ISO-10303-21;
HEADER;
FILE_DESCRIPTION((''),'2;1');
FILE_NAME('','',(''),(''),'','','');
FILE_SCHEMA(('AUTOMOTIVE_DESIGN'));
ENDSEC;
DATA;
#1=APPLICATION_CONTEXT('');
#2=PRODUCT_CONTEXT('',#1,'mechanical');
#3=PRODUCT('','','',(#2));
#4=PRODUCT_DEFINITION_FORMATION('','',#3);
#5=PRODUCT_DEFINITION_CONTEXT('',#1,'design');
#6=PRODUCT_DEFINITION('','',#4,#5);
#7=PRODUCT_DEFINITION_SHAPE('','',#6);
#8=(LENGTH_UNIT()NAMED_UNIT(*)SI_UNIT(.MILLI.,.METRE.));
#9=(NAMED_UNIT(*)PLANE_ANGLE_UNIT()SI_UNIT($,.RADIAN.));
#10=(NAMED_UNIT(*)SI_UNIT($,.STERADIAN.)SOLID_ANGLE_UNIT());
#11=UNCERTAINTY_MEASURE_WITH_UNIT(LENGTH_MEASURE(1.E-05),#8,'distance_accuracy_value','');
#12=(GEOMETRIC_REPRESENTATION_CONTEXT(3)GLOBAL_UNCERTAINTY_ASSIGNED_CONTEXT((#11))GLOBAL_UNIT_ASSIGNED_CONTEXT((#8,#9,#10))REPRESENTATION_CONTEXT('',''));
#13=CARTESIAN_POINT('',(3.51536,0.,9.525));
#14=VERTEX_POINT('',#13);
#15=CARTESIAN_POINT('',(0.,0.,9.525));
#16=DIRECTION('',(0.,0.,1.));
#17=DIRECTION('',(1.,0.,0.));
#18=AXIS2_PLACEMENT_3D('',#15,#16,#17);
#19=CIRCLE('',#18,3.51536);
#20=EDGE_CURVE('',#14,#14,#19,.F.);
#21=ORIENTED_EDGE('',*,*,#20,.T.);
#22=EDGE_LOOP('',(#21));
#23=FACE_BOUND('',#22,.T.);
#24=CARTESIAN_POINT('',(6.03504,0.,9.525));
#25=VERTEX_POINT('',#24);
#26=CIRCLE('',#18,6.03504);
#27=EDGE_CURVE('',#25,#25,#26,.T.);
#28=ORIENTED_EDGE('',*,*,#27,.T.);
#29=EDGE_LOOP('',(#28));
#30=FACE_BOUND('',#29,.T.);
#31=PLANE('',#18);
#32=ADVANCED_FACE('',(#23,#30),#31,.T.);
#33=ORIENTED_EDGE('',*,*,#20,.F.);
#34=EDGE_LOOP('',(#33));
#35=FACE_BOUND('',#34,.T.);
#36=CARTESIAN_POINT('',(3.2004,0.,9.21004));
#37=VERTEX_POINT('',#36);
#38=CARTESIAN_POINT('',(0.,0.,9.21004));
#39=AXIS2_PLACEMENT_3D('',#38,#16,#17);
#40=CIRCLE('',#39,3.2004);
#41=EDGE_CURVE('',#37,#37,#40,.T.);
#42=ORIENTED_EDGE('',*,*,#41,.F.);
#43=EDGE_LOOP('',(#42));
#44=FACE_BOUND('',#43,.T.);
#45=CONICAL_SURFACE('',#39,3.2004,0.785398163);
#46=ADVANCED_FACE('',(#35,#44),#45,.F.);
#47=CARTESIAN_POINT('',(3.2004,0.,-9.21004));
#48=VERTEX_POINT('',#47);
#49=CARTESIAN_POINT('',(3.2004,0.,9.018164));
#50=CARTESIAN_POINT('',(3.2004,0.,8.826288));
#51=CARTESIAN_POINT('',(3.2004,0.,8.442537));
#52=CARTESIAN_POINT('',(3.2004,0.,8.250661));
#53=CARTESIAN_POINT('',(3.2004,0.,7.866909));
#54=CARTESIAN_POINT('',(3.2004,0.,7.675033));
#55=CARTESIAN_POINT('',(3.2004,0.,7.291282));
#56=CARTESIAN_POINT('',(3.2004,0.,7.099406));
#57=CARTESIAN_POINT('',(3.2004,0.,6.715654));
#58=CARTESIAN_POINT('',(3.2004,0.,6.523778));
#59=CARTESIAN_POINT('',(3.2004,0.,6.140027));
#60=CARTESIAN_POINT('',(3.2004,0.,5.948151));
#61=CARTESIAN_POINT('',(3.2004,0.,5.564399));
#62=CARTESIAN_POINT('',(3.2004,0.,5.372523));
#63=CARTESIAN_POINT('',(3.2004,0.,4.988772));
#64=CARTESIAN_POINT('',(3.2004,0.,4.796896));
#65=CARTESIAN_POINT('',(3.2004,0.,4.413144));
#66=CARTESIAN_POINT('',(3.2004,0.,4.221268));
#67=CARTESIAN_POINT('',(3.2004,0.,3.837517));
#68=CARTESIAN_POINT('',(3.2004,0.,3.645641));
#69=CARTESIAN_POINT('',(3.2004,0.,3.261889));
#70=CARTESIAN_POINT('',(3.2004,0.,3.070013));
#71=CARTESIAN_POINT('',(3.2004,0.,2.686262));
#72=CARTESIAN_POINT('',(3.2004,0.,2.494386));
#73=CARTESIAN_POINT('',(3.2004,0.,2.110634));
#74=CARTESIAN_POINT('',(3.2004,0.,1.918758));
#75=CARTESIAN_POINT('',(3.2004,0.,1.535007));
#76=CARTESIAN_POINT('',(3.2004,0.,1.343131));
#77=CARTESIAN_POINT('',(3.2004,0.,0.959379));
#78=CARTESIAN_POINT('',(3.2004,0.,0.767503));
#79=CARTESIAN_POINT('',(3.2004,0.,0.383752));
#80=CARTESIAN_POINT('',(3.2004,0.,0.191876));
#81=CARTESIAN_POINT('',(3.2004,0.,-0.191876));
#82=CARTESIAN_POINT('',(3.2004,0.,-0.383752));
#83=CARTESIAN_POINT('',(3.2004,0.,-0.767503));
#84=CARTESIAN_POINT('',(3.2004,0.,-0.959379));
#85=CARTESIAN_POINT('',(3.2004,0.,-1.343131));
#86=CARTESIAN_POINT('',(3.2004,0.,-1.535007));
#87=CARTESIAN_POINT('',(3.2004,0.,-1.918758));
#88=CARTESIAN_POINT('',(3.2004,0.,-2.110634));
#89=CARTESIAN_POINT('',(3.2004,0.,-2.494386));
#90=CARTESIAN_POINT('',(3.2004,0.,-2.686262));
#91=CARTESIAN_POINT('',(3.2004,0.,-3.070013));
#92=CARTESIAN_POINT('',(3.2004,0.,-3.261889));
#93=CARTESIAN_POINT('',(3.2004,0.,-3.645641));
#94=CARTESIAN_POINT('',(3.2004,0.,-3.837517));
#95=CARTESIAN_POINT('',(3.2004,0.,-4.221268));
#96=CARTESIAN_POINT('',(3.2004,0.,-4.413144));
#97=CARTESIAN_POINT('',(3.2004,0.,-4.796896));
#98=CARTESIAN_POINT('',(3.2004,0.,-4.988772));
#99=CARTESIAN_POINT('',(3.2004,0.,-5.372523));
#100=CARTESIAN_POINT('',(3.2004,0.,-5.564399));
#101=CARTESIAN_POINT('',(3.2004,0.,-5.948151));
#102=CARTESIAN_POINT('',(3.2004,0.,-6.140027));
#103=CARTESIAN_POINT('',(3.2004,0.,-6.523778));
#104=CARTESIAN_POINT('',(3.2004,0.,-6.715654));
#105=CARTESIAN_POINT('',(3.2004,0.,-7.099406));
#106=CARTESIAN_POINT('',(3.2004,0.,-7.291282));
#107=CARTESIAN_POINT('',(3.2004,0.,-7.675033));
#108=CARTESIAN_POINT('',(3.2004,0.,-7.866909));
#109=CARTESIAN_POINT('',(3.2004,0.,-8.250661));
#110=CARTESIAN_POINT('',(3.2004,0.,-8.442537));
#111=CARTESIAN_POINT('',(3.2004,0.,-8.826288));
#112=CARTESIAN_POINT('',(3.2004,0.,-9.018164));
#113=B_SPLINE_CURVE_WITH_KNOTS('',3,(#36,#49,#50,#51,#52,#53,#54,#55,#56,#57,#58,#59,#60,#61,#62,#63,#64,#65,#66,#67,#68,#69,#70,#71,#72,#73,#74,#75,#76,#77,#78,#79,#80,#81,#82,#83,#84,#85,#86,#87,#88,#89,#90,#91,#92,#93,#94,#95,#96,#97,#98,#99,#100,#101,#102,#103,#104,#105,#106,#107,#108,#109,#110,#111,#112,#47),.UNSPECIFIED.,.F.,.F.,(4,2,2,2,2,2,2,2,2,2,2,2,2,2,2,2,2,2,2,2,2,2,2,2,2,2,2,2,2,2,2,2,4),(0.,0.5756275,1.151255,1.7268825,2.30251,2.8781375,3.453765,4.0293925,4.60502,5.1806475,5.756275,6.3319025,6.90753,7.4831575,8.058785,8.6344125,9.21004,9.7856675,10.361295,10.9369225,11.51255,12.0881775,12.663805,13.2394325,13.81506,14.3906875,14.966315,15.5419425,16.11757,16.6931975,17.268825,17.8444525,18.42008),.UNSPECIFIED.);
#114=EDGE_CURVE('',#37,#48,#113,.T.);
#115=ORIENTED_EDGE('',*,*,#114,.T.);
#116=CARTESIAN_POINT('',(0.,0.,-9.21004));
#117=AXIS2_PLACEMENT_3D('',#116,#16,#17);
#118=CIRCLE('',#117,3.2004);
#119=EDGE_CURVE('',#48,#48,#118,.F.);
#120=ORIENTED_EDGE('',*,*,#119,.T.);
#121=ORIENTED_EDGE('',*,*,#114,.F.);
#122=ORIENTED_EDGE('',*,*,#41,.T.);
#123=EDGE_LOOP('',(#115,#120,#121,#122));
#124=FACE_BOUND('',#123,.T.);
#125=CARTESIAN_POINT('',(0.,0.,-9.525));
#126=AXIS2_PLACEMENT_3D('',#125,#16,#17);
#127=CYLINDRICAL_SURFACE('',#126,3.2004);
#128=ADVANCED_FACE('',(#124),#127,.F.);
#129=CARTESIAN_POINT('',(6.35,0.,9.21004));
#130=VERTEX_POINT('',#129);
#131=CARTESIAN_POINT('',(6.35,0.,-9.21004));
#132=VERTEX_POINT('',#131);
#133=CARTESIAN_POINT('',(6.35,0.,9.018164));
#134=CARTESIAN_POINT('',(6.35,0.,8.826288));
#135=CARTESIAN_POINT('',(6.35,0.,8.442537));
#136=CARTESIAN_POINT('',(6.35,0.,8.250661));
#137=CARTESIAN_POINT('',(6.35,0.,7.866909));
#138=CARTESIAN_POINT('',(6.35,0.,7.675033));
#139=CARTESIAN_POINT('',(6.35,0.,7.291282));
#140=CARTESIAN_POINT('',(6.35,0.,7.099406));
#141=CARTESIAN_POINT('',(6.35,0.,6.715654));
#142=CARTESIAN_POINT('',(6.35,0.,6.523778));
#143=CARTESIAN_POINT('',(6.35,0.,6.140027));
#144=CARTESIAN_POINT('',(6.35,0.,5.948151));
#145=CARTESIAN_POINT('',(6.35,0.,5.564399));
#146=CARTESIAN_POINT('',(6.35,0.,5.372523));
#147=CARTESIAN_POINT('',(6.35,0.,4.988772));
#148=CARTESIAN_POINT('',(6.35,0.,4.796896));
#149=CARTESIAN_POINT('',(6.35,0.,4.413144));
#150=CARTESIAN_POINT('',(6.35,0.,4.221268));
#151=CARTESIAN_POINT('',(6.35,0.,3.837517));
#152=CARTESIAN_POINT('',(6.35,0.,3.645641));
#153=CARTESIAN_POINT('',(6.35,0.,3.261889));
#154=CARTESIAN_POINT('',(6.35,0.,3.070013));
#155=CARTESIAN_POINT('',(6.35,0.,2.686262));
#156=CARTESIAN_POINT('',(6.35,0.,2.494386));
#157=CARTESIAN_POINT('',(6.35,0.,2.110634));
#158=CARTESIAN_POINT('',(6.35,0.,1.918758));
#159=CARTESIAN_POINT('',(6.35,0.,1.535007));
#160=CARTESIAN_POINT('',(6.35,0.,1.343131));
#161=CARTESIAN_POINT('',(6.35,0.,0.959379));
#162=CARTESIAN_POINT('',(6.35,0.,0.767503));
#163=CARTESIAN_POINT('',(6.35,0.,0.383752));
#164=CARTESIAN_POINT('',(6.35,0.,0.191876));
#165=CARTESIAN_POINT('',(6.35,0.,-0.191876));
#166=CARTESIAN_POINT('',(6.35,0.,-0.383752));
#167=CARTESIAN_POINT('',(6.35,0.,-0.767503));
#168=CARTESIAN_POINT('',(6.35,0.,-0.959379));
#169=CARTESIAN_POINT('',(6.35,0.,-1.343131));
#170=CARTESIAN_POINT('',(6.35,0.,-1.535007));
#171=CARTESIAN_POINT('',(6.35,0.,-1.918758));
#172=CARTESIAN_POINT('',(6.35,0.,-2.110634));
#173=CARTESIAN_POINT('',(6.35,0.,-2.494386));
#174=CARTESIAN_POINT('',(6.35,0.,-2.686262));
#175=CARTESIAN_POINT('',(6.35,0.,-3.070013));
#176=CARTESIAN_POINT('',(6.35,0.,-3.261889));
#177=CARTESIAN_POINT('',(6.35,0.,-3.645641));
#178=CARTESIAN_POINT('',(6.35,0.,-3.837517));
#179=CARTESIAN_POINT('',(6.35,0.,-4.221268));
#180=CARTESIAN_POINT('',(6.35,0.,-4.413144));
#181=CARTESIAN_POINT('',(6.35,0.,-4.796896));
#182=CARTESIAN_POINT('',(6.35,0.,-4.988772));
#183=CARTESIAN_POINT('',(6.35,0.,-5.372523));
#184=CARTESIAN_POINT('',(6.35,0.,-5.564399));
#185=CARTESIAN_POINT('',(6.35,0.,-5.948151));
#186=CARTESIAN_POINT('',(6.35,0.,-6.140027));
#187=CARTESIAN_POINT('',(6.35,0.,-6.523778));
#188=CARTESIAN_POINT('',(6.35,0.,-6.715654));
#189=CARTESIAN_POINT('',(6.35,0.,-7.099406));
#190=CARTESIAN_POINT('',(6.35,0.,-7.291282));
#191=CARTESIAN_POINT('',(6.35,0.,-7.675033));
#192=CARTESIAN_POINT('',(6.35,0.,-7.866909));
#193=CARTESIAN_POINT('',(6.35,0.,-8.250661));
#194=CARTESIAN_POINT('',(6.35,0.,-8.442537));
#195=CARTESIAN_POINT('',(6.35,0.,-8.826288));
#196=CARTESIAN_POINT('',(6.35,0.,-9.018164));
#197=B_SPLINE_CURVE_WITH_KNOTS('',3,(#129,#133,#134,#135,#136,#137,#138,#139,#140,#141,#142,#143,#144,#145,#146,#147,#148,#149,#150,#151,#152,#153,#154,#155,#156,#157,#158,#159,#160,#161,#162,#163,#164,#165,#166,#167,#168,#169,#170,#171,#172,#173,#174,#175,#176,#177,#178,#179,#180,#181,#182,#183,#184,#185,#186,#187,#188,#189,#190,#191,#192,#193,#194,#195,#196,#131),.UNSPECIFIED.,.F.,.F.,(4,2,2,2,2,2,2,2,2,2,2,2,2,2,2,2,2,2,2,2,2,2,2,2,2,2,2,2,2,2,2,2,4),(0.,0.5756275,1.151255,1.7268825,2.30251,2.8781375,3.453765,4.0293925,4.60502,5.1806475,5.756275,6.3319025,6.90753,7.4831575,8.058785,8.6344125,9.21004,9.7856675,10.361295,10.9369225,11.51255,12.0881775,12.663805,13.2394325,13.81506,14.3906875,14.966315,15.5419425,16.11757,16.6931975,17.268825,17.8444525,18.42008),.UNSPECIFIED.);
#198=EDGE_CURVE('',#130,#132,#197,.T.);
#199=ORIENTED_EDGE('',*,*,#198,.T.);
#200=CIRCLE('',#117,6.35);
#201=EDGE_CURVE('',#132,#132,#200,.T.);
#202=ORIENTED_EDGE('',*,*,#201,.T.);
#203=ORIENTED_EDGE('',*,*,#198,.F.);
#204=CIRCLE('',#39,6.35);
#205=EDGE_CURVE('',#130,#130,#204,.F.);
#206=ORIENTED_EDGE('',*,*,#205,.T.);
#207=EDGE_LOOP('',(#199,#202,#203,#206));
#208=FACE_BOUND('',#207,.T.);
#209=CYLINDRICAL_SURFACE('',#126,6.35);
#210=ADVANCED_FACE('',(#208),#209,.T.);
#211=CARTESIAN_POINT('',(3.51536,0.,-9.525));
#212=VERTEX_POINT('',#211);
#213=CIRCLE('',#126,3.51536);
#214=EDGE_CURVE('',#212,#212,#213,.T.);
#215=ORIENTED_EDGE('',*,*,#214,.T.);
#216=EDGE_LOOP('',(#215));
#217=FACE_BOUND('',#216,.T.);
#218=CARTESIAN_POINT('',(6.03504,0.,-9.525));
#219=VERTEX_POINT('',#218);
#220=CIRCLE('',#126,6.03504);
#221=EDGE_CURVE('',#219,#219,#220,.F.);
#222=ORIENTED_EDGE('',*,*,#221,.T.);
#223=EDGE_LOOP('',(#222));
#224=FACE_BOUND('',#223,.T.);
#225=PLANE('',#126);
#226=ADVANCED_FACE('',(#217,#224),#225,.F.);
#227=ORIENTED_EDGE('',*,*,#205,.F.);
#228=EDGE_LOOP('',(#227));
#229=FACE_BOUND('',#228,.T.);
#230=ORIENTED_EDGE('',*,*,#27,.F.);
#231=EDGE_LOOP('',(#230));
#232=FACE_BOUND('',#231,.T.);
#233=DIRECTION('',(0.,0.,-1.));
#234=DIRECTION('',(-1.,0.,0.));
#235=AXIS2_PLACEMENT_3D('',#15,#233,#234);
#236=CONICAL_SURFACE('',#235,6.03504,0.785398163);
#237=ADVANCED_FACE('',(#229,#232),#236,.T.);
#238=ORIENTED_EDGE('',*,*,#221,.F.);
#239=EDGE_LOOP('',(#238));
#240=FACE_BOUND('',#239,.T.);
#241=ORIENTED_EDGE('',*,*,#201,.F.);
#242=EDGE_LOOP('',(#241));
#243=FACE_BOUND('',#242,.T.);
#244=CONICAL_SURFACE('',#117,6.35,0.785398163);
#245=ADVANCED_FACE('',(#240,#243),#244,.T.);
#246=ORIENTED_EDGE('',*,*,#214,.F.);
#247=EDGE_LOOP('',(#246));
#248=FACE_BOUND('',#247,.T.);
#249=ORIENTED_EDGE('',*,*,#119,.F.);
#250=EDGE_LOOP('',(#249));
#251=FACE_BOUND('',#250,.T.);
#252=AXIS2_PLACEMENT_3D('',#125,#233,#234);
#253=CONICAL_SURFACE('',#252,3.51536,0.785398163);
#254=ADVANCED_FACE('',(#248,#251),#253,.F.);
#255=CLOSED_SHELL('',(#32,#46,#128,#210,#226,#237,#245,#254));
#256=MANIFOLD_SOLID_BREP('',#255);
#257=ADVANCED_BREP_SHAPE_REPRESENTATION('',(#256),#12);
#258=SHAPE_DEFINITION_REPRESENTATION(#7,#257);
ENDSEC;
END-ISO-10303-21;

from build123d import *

# Parameters (mm, degrees)
BOSS_EXTRUDE1_DEPTH      = 9.525
BOSS_EXTRUDE1_DEPTH_BACK = 9.525
SKETCH3_R                = 6.35
SKETCH3_R_2              = 3.2004
CHAMFER1_SIZE            = 0.31496


with BuildPart() as part:
    # Sketch3 → Boss-Extrude1 (new, two sides: drawn at the far end of the back side and taken through both)
    with BuildSketch(Plane.XY.offset(-BOSS_EXTRUDE1_DEPTH_BACK)):
        Circle(SKETCH3_R)
        Circle(SKETCH3_R_2, mode=Mode.SUBTRACT)
    extrude(amount=BOSS_EXTRUDE1_DEPTH + BOSS_EXTRUDE1_DEPTH_BACK)

    # Chamfer1
    chamfer1_edges = [part.edges().sort_by_distance(p)[0] for p in [
        (-6.35, 0, -9.525),
        (-3.2004, 0, -9.525),
        (-6.35, 0, 9.525),
        (-3.2004, 0, 9.525),
    ]]
    chamfer(chamfer1_edges, length=CHAMFER1_SIZE)


solid = part.part
